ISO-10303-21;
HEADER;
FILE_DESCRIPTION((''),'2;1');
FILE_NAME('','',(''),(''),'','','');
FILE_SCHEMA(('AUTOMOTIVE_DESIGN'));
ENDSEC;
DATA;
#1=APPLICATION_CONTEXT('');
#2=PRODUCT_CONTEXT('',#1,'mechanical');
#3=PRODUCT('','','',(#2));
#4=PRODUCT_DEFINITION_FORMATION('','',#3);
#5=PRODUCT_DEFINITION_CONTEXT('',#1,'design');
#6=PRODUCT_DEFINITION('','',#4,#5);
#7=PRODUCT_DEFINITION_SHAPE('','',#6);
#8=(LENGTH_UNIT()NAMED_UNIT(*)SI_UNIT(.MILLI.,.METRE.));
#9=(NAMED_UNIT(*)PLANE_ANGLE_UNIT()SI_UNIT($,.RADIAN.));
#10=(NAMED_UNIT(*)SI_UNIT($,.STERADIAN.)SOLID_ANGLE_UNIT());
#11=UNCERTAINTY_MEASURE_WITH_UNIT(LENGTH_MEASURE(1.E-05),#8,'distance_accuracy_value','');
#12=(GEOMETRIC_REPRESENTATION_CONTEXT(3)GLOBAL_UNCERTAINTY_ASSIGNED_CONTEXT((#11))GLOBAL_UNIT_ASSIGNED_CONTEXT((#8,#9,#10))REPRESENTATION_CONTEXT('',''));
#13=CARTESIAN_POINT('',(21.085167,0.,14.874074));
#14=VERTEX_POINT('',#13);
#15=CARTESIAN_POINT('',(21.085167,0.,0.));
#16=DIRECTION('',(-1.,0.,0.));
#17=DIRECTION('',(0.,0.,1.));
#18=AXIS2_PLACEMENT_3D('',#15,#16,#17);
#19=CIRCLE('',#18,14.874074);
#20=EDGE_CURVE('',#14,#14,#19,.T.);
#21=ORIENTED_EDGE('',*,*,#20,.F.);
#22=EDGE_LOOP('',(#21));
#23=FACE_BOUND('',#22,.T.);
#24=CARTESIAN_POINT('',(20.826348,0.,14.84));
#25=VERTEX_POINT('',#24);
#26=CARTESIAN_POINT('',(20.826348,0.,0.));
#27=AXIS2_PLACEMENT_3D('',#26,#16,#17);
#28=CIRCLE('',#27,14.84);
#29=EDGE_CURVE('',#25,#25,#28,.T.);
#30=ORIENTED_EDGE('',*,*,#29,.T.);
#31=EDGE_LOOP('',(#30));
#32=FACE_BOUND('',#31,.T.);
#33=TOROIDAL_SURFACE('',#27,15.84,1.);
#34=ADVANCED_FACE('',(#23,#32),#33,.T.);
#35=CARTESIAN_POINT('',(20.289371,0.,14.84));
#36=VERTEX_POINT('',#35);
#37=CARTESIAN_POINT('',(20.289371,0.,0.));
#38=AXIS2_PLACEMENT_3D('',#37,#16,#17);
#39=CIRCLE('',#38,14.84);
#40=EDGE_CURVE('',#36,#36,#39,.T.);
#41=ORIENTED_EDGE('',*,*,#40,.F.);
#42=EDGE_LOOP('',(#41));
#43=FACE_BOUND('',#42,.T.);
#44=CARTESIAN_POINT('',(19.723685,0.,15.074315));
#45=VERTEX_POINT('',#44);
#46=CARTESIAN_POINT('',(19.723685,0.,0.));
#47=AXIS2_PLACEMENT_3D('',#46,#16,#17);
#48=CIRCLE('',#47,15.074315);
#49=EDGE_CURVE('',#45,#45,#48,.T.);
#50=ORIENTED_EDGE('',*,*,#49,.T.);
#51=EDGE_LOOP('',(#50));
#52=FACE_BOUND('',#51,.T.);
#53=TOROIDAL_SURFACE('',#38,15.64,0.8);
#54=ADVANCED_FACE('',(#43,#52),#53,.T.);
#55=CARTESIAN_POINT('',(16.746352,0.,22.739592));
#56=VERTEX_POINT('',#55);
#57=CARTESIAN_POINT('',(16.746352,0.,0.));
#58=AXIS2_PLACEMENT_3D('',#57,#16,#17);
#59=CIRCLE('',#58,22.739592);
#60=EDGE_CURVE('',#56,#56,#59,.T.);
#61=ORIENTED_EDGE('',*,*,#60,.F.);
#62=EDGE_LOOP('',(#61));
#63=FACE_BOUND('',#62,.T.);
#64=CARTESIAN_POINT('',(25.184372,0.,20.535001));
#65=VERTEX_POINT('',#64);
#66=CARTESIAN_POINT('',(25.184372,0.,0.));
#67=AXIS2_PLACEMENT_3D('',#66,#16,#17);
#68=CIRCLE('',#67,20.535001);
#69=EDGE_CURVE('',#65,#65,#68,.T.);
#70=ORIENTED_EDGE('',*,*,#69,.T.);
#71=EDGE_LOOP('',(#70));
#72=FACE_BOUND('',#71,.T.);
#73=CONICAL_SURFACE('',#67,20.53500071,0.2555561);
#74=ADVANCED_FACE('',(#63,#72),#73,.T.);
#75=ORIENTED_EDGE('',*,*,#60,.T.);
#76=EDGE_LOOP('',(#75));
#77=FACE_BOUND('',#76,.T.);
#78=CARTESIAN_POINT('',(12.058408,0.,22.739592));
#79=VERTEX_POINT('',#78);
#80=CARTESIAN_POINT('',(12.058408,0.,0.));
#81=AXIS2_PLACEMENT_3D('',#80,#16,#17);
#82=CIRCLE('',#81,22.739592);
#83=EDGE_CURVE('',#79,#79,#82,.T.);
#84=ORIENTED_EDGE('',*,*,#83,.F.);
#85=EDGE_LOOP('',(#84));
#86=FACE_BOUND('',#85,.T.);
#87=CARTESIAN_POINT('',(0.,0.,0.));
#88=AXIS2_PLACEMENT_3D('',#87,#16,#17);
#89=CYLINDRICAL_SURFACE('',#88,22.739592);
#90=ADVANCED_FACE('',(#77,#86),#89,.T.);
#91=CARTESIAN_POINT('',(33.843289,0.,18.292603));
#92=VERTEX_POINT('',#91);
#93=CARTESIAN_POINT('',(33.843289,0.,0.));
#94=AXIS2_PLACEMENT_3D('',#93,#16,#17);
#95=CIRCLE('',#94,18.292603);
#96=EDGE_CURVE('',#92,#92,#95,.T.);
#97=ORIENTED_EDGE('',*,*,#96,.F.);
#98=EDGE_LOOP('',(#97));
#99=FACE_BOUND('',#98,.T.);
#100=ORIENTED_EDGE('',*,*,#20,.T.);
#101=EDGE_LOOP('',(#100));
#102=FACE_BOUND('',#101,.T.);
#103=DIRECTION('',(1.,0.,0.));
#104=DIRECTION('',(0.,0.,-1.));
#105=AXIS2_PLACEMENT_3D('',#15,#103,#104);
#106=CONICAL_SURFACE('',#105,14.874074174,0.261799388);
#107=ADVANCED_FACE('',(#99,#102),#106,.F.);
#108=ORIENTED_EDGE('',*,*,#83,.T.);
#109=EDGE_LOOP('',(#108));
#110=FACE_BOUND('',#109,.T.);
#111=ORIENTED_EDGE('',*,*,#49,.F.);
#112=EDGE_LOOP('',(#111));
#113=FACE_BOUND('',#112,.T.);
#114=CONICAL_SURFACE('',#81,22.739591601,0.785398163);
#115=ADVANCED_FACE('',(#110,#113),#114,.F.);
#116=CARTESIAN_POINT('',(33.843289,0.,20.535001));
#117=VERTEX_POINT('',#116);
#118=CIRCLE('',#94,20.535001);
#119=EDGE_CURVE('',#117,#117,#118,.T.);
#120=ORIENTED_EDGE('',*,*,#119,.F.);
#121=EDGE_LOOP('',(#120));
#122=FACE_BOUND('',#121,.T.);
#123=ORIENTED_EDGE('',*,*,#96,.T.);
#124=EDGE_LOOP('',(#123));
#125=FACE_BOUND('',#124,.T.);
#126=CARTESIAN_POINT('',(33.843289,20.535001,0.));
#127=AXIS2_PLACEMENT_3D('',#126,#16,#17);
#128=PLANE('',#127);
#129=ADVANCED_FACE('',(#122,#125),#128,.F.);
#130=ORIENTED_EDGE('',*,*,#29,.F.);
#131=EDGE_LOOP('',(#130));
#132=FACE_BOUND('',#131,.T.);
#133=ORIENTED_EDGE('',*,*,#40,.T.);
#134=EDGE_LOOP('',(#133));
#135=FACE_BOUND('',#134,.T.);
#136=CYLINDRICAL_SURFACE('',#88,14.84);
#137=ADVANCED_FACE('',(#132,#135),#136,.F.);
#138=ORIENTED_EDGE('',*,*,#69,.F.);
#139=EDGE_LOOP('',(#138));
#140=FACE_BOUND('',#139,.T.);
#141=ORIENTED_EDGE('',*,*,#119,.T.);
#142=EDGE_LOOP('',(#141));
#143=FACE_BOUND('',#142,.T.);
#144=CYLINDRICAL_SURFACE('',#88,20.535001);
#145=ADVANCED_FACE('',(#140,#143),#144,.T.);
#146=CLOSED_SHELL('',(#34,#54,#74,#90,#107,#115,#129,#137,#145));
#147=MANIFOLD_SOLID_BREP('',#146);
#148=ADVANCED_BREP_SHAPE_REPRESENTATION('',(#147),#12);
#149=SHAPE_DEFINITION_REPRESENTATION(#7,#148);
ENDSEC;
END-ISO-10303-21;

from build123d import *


with BuildPart() as part:
    # Sketch1 → Revolve1 (revolve)
    with BuildSketch(Plane.XY, mode=Mode.PRIVATE) as revolve1_sk:
        with BuildLine():
            Line((12.058408399, 22.739591601), (19.723685425, 15.074314575))
            ThreePointArc((19.723685425, 15.074314575), (19.983224104, 14.900896374), (20.28937085, 14.84))
            Line((20.28937085, 14.84), (20.826347502, 14.84))
            ThreePointArc((20.826347502, 14.84), (20.956873695, 14.848555139), (21.085166548, 14.874074174))
            Line((21.085166548, 14.874074174), (33.843289446, 18.292602901))
            Line((33.843289446, 18.292602901), (33.843289446, 20.53500071))
            Line((33.843289446, 20.53500071), (25.18437156, 20.53500071))
            Line((25.18437156, 20.53500071), (16.74635158, 22.739591601))
            Line((16.74635158, 22.739591601), (12.058408399, 22.739591601))
        make_face()
    revolve(revolve1_sk.sketch.rotate(Axis((0, 0, 0), (1, 0, 0)), 90), axis=Axis((0, 0, 0), (1, 0, 0)))


solid = part.part
